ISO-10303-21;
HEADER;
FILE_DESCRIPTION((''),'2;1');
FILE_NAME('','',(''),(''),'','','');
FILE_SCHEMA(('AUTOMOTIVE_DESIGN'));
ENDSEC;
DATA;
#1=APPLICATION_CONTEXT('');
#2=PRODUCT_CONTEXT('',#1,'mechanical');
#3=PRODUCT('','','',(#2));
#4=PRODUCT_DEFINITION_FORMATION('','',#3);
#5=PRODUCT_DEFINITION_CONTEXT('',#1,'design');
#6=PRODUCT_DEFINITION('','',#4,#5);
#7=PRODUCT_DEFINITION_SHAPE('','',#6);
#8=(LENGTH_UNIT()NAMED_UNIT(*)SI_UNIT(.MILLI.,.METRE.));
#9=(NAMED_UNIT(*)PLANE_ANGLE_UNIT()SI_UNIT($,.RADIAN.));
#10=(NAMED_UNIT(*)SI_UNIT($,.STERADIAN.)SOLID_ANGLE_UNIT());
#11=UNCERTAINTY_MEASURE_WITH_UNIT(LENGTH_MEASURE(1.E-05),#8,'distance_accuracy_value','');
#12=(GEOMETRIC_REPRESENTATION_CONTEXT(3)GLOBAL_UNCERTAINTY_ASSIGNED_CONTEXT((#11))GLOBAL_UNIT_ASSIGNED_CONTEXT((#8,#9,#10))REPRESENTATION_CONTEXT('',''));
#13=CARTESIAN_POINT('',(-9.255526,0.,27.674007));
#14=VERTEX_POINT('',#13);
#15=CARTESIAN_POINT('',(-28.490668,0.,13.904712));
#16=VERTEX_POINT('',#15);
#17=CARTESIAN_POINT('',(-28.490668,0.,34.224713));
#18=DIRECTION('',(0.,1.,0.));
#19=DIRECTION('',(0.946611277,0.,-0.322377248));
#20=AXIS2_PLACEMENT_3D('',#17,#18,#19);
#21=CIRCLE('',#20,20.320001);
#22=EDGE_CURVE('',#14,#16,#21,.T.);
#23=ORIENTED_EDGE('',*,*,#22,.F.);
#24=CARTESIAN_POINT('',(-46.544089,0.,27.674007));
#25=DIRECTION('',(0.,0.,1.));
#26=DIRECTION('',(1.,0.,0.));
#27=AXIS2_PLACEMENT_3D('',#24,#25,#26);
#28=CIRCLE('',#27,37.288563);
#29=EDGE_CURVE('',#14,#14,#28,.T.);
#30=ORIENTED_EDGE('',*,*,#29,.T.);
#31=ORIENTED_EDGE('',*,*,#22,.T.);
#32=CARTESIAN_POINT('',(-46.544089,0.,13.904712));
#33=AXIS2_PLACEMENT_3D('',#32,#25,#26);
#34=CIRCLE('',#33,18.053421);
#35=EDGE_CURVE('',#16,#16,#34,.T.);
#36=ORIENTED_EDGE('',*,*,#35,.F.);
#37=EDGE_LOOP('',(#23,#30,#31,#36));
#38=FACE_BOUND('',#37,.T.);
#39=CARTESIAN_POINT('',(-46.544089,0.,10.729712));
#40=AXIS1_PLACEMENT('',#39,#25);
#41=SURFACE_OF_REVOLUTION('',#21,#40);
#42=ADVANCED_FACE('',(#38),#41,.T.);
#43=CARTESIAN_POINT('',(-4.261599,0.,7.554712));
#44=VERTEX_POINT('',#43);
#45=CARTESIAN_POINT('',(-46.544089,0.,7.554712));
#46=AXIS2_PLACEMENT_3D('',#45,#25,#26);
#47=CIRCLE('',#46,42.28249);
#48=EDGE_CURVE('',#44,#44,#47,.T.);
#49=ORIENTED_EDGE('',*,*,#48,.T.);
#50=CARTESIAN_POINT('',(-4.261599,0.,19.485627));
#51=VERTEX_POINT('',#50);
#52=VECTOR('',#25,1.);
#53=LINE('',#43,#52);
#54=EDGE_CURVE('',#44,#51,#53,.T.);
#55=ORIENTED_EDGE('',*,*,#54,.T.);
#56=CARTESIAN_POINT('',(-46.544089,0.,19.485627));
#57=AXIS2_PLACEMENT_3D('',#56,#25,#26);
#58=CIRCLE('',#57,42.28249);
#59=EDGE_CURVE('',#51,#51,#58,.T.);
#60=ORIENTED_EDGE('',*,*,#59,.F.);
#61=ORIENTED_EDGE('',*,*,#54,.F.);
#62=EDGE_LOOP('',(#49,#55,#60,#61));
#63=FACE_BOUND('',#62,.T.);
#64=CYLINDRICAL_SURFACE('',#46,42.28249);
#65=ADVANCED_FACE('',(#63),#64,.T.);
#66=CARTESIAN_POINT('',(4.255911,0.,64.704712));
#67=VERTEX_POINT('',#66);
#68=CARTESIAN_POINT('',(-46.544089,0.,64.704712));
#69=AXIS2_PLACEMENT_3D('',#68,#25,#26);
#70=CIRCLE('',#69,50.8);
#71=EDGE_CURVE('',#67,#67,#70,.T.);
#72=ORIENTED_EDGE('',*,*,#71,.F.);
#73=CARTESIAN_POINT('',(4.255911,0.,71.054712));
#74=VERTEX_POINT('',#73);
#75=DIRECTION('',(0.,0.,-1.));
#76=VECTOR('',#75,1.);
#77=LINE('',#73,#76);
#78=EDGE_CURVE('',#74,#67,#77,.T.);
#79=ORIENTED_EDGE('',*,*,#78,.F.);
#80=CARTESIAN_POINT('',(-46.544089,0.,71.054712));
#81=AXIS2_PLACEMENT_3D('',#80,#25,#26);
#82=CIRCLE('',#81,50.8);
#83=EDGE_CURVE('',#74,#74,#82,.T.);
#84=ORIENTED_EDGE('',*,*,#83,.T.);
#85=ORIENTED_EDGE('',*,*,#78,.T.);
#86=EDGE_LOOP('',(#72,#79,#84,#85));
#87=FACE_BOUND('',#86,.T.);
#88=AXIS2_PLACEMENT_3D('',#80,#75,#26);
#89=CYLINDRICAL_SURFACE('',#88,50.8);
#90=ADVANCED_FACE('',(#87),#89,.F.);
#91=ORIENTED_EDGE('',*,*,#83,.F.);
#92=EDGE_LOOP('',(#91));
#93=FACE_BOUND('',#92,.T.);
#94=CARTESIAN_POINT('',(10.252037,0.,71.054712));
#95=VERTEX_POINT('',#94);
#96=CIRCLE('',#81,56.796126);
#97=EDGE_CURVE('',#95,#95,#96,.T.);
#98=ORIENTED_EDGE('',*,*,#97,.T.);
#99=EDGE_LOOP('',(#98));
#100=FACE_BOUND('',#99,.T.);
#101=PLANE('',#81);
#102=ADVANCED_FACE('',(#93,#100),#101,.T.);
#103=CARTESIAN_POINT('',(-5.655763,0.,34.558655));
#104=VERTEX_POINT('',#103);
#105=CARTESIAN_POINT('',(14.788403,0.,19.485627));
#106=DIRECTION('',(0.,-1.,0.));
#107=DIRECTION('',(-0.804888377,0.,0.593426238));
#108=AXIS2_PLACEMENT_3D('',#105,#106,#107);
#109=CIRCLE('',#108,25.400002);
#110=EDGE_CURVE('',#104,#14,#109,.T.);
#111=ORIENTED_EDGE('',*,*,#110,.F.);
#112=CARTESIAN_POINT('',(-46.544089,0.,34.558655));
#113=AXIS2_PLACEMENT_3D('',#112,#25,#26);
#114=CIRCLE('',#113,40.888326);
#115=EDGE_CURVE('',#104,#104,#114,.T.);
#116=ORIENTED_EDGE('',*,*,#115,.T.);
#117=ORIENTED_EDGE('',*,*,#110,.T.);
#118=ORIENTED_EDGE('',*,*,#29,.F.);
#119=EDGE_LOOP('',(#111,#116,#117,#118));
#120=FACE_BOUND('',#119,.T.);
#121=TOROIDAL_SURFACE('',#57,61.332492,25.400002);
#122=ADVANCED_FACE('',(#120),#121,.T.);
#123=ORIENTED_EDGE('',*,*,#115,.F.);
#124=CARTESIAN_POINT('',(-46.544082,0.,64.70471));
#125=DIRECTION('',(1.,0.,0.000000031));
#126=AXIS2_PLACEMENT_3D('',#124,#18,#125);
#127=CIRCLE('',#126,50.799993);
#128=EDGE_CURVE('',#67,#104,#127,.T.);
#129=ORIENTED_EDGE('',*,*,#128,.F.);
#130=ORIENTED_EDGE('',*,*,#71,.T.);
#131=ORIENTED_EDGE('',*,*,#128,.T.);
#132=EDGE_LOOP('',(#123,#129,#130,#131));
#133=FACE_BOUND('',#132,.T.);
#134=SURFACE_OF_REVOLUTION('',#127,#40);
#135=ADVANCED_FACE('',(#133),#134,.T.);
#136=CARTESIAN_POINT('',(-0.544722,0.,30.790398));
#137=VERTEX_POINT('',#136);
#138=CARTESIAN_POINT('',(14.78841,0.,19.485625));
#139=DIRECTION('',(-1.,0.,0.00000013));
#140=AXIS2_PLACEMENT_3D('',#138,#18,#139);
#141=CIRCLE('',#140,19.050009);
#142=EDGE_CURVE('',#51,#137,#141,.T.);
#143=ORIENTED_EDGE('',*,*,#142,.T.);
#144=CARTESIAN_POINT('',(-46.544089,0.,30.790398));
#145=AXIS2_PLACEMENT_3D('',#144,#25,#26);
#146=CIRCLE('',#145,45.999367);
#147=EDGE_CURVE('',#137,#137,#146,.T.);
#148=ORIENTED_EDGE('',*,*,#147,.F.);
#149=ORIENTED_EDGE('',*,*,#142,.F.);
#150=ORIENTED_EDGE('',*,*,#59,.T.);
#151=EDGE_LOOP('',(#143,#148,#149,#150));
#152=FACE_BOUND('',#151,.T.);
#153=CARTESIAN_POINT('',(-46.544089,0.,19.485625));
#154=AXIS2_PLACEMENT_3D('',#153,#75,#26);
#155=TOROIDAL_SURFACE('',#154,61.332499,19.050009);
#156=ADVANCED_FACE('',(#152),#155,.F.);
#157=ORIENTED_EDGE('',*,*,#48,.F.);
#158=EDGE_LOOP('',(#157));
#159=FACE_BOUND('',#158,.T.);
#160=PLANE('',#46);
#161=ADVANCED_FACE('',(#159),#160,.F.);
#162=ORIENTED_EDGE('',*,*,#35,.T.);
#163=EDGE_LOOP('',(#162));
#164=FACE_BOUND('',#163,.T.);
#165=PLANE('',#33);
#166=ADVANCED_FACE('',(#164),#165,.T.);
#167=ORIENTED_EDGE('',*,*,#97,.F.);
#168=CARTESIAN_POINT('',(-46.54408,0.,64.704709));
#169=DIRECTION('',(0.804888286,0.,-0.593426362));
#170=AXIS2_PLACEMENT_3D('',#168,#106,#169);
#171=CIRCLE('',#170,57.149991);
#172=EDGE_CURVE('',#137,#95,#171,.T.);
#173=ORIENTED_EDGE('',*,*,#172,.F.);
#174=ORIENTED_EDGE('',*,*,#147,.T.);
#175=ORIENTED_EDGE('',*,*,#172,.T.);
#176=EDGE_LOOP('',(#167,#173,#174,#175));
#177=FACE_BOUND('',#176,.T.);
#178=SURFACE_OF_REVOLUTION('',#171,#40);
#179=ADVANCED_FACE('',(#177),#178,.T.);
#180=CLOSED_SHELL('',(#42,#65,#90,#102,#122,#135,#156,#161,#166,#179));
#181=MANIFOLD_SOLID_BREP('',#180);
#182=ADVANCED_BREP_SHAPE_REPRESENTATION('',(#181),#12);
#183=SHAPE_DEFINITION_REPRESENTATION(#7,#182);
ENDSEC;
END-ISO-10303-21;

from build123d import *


with BuildPart() as f1:
    # F0 (on Front) → F1 (revolve)
    with BuildSketch(Plane.XZ):
        with BuildLine():
            ThreePointArc((4.255911, 64.704712), (1.714418, 48.837875), (-5.655763, 34.558655))
            ThreePointArc((-5.655763, 34.558655), (-7.720423, 31.254775), (-9.255526, 27.674007))
            ThreePointArc((-9.255526, 27.674007), (-16.662902, 17.701808), (-28.490668, 13.904712))
            Line((-28.490668, 13.904712), (-46.544089, 13.904712))
            Line((-46.544089, 13.904712), (-46.544089, 7.554712))
            Line((-46.544089, 7.554712), (-4.261599, 7.554712))
            Line((-4.261599, 7.554712), (-4.261599, 19.485627))
            ThreePointArc((-4.261599, 19.485627), (-3.308539, 25.43569), (-0.544722, 30.790398))
            ThreePointArc((-0.544722, 30.790398), (8.65584, 49.903011), (10.252037, 71.054712))
            Line((10.252037, 71.054712), (4.255911, 71.054712))
            Line((4.255911, 71.054712), (4.255911, 64.704712))
        make_face()
    revolve(axis=Axis((-46.544089, 0, 10.729712), (0, 0, 1)))


solid = f1.part
